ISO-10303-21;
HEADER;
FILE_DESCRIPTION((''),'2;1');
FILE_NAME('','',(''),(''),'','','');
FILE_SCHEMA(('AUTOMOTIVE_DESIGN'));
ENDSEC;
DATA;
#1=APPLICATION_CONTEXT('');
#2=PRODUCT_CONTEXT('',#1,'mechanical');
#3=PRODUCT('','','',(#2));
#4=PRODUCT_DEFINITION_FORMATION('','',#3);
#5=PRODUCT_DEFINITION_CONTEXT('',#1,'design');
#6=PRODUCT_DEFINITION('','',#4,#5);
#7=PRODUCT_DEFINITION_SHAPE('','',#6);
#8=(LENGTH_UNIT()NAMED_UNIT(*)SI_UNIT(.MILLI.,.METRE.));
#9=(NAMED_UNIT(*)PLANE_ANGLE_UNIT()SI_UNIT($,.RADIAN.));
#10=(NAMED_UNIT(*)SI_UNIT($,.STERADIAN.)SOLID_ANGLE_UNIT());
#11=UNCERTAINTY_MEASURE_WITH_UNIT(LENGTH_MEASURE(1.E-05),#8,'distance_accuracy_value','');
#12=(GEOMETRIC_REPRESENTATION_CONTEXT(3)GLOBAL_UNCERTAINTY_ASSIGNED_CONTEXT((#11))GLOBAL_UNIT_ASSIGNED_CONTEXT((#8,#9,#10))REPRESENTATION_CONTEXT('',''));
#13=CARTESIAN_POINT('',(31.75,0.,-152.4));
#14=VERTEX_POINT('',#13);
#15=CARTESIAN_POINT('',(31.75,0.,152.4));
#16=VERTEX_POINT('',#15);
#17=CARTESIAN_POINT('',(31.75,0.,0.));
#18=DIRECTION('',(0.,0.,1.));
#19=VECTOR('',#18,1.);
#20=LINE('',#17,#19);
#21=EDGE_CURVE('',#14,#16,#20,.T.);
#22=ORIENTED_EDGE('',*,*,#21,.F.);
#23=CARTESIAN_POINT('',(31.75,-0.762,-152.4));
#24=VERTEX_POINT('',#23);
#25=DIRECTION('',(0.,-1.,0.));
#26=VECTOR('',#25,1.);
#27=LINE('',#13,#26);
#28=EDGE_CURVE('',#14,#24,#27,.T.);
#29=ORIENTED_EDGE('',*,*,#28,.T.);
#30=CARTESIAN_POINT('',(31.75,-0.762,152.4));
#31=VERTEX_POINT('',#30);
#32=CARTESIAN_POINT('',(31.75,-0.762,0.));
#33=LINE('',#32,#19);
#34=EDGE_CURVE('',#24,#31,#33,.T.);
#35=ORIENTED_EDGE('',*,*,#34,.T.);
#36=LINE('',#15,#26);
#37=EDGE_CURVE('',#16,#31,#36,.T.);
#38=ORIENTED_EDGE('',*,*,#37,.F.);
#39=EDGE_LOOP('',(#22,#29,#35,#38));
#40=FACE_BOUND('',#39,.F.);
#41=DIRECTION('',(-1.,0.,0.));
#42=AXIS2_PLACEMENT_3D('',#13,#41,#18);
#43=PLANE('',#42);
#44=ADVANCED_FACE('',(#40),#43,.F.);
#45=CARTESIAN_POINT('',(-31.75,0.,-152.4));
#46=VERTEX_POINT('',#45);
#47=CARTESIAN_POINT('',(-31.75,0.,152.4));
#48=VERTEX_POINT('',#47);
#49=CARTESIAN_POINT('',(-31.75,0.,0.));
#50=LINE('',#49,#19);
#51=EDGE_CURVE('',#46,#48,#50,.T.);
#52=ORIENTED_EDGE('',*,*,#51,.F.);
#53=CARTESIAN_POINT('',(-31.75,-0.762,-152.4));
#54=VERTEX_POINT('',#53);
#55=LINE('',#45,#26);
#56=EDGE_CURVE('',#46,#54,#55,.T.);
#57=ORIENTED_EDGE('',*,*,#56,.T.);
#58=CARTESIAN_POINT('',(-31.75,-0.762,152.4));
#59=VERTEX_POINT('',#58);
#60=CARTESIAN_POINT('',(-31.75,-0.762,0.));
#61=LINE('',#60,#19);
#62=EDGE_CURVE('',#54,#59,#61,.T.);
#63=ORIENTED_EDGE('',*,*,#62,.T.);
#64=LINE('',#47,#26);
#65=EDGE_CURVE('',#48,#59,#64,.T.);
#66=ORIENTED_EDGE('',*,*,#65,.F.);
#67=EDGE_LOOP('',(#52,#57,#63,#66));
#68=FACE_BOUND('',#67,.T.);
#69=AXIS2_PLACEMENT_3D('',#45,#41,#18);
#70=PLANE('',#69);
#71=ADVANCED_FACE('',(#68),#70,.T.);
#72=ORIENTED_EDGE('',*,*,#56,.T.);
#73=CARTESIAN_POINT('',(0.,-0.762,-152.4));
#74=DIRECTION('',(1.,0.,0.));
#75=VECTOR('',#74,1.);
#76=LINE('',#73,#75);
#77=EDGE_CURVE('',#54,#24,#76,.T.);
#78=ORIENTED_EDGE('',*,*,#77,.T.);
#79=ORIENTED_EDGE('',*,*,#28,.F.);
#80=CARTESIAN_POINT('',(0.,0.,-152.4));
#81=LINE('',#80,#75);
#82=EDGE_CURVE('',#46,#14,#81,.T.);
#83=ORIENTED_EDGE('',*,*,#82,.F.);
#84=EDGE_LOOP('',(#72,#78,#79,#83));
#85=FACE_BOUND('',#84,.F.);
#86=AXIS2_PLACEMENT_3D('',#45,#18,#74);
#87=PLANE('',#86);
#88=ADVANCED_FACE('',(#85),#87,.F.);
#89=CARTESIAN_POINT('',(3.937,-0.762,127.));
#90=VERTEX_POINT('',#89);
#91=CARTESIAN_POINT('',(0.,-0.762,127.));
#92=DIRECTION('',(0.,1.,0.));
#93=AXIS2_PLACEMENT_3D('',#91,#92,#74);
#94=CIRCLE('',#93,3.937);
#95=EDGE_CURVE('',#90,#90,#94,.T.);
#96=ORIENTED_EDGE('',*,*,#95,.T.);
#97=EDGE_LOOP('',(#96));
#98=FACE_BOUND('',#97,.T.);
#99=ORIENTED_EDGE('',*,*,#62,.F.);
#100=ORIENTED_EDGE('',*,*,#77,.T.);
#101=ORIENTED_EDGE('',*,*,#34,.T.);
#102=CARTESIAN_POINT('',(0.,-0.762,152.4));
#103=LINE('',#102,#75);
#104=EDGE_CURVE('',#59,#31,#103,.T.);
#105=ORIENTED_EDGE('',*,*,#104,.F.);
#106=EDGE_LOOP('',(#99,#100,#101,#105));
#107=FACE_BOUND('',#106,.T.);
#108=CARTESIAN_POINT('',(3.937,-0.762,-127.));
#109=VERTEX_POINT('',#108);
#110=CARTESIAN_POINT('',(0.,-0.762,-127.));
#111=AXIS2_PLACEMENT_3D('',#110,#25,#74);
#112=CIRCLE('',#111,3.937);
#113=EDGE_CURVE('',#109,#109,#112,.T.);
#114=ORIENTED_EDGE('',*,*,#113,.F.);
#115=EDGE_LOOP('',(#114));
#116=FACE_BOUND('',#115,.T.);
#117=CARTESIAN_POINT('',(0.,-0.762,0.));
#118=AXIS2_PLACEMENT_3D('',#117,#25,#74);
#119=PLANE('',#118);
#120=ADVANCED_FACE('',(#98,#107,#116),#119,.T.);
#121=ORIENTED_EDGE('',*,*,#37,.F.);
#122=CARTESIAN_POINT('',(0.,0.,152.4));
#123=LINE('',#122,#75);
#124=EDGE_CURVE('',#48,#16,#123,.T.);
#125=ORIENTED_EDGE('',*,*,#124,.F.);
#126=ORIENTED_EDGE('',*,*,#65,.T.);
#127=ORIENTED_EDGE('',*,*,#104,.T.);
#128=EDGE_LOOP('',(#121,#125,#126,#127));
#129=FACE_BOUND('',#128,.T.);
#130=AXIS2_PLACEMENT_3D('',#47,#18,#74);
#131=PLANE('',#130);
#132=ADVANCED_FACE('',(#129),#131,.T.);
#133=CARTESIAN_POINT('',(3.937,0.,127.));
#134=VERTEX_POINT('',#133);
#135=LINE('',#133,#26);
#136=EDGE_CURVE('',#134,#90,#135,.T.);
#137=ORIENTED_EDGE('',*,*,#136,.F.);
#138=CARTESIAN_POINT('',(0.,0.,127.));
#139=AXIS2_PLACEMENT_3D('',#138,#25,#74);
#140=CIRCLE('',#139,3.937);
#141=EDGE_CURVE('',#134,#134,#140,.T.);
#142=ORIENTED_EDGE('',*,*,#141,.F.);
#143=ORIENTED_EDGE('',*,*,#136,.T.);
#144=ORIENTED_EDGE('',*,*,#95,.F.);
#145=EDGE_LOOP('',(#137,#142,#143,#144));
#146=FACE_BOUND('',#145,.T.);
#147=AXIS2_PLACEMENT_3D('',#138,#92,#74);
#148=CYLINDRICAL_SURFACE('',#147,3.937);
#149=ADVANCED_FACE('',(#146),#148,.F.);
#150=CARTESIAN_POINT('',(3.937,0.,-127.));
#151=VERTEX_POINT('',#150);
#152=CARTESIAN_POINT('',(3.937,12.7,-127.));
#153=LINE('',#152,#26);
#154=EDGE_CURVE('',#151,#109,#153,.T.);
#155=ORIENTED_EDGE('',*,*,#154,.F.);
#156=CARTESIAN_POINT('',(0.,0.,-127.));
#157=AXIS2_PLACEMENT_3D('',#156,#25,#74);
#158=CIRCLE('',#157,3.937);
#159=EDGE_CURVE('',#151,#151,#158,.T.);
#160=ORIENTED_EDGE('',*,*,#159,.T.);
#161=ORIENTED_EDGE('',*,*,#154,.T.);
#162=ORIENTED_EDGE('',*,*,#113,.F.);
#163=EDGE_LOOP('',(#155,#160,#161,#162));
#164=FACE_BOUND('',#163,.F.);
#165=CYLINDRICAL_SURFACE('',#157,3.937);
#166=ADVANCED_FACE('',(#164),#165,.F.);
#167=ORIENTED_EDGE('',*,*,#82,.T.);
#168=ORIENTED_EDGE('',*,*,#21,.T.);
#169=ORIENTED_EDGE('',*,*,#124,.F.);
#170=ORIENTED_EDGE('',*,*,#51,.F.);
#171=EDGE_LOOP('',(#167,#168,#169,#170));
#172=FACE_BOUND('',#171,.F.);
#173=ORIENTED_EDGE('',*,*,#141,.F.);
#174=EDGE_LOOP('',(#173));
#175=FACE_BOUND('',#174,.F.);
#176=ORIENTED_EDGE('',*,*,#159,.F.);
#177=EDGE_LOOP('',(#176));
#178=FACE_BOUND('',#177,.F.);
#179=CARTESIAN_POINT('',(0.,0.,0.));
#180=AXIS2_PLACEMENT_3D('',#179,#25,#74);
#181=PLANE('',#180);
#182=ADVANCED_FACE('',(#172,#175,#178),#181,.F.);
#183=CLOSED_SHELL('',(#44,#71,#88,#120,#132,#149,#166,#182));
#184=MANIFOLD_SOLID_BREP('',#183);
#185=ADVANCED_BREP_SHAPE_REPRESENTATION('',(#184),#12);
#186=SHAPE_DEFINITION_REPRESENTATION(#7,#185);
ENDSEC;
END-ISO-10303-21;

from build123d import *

# Parameters (mm, degrees)
F0_W     = 63.5
F0_H     = 304.8
F1_DEPTH = 0.762
F2_R     = 3.937
F3_DEPTH = 12.7


with BuildPart() as f1:
    # F0 (on Front) → F1 (new body)
    with BuildSketch(Plane.XZ):
        Rectangle(F0_W, F0_H)
    extrude(amount=F1_DEPTH)

    # F2 (on Front) → F3 (cut, symmetric)
    with BuildSketch(Plane.XZ):
        with Locations((0, 127)):
            Circle(F2_R)
        with Locations((0, -127)):
            Circle(F2_R)
    extrude(amount=F3_DEPTH, both=True, mode=Mode.SUBTRACT)


solid = f1.part
